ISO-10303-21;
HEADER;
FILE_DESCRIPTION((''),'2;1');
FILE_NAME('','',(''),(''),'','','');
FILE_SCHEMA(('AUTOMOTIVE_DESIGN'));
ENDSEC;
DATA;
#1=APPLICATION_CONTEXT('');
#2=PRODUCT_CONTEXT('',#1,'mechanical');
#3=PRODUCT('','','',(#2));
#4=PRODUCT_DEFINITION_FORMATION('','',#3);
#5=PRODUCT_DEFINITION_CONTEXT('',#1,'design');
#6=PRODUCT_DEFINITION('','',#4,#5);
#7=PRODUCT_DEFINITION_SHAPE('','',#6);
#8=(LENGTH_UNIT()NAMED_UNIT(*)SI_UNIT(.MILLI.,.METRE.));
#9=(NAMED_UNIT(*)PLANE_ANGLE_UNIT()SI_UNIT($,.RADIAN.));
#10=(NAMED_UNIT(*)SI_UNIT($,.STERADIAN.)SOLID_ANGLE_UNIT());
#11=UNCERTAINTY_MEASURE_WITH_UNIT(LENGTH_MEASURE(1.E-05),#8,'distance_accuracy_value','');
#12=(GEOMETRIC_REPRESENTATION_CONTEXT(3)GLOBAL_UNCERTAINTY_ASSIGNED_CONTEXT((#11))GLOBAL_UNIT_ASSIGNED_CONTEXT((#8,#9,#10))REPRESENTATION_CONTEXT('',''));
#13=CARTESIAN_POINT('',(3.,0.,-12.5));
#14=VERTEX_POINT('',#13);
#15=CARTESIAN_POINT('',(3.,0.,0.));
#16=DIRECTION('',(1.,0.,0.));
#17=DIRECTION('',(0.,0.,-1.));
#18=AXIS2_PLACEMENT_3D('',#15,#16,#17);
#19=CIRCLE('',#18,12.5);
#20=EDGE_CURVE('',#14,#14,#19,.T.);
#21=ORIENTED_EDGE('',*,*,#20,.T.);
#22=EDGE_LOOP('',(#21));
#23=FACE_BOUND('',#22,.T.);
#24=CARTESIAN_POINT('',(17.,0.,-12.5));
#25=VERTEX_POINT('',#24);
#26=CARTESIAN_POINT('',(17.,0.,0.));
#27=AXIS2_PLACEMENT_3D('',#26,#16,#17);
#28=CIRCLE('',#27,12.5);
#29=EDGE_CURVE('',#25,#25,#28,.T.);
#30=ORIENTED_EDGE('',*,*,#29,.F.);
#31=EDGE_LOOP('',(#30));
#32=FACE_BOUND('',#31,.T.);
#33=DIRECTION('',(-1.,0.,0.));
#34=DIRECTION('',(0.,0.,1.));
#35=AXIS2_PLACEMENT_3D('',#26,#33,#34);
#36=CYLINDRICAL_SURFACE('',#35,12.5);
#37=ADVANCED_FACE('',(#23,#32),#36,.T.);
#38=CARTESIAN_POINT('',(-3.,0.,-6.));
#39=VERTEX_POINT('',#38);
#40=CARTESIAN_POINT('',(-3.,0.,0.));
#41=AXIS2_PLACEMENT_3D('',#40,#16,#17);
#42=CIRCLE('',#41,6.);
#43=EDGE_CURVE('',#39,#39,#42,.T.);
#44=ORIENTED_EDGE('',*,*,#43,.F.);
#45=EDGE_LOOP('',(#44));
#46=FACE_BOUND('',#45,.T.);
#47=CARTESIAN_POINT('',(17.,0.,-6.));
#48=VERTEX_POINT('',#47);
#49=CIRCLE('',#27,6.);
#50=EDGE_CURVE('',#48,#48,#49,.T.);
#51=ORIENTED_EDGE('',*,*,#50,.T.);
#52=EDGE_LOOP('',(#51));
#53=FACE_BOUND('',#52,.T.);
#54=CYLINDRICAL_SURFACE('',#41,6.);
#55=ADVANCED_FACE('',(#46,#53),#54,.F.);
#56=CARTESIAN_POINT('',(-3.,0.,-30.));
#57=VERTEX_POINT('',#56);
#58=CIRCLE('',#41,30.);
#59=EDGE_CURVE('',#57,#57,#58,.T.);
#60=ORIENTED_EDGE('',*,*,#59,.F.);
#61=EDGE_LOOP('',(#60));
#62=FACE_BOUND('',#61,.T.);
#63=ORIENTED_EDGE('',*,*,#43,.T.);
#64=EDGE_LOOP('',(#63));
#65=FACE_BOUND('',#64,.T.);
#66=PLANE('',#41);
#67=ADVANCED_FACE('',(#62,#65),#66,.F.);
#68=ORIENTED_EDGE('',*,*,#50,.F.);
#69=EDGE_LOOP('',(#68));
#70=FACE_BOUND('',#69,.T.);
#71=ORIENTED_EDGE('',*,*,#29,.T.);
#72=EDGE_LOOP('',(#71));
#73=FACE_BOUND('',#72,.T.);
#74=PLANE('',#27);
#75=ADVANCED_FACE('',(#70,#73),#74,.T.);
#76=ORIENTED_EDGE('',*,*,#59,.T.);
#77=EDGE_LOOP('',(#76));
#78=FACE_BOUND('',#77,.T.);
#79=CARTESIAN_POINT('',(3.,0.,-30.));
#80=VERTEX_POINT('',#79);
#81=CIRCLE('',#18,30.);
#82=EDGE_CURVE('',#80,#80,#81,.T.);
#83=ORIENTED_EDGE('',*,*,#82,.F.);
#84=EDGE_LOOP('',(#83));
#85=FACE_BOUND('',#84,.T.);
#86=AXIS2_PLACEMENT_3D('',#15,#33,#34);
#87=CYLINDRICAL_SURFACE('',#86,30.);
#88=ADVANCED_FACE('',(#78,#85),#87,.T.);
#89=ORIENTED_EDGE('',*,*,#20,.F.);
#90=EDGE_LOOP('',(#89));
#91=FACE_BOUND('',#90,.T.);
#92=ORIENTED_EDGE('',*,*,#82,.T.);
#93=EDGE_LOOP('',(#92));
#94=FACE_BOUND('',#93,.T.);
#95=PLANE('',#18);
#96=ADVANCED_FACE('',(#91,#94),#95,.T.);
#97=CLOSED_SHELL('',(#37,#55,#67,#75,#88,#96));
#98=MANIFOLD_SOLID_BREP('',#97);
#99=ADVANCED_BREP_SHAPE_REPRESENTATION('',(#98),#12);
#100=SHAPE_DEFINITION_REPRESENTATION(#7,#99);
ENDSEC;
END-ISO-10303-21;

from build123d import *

# Parameters (mm, degrees)
SKETCH1_R           = 30
BOSS_EXTRUDE1_DEPTH = 3
SKETCH2_R           = 12.5
BOSS_EXTRUDE2_DEPTH = 14
SKETCH3_R           = 6
CUT_EXTRUDE1_DEPTH  = 47.904157598


with BuildPart() as part:
    # Sketch1 → Boss-Extrude1 (new, symmetric)
    with BuildSketch(Plane(origin=(0, 0, 0), x_dir=(0, 0, -1), z_dir=(1, 0, 0))):
        Circle(SKETCH1_R)
    extrude(amount=BOSS_EXTRUDE1_DEPTH, both=True)

    # Sketch2 → Boss-Extrude2 (add)
    with BuildSketch(Plane(origin=(3, 0, 0), x_dir=(0, 0, -1), z_dir=(1, 0, 0))):
        Circle(SKETCH2_R)
    extrude(amount=BOSS_EXTRUDE2_DEPTH)

    # Sketch3 → Cut-Extrude1 (cut, through all)
    with BuildSketch(Plane(origin=(17, 0, 0), x_dir=(0, 0, -1), z_dir=(1, 0, 0))):
        Circle(SKETCH3_R)
    extrude(amount=-CUT_EXTRUDE1_DEPTH, mode=Mode.SUBTRACT)


solid = part.part
